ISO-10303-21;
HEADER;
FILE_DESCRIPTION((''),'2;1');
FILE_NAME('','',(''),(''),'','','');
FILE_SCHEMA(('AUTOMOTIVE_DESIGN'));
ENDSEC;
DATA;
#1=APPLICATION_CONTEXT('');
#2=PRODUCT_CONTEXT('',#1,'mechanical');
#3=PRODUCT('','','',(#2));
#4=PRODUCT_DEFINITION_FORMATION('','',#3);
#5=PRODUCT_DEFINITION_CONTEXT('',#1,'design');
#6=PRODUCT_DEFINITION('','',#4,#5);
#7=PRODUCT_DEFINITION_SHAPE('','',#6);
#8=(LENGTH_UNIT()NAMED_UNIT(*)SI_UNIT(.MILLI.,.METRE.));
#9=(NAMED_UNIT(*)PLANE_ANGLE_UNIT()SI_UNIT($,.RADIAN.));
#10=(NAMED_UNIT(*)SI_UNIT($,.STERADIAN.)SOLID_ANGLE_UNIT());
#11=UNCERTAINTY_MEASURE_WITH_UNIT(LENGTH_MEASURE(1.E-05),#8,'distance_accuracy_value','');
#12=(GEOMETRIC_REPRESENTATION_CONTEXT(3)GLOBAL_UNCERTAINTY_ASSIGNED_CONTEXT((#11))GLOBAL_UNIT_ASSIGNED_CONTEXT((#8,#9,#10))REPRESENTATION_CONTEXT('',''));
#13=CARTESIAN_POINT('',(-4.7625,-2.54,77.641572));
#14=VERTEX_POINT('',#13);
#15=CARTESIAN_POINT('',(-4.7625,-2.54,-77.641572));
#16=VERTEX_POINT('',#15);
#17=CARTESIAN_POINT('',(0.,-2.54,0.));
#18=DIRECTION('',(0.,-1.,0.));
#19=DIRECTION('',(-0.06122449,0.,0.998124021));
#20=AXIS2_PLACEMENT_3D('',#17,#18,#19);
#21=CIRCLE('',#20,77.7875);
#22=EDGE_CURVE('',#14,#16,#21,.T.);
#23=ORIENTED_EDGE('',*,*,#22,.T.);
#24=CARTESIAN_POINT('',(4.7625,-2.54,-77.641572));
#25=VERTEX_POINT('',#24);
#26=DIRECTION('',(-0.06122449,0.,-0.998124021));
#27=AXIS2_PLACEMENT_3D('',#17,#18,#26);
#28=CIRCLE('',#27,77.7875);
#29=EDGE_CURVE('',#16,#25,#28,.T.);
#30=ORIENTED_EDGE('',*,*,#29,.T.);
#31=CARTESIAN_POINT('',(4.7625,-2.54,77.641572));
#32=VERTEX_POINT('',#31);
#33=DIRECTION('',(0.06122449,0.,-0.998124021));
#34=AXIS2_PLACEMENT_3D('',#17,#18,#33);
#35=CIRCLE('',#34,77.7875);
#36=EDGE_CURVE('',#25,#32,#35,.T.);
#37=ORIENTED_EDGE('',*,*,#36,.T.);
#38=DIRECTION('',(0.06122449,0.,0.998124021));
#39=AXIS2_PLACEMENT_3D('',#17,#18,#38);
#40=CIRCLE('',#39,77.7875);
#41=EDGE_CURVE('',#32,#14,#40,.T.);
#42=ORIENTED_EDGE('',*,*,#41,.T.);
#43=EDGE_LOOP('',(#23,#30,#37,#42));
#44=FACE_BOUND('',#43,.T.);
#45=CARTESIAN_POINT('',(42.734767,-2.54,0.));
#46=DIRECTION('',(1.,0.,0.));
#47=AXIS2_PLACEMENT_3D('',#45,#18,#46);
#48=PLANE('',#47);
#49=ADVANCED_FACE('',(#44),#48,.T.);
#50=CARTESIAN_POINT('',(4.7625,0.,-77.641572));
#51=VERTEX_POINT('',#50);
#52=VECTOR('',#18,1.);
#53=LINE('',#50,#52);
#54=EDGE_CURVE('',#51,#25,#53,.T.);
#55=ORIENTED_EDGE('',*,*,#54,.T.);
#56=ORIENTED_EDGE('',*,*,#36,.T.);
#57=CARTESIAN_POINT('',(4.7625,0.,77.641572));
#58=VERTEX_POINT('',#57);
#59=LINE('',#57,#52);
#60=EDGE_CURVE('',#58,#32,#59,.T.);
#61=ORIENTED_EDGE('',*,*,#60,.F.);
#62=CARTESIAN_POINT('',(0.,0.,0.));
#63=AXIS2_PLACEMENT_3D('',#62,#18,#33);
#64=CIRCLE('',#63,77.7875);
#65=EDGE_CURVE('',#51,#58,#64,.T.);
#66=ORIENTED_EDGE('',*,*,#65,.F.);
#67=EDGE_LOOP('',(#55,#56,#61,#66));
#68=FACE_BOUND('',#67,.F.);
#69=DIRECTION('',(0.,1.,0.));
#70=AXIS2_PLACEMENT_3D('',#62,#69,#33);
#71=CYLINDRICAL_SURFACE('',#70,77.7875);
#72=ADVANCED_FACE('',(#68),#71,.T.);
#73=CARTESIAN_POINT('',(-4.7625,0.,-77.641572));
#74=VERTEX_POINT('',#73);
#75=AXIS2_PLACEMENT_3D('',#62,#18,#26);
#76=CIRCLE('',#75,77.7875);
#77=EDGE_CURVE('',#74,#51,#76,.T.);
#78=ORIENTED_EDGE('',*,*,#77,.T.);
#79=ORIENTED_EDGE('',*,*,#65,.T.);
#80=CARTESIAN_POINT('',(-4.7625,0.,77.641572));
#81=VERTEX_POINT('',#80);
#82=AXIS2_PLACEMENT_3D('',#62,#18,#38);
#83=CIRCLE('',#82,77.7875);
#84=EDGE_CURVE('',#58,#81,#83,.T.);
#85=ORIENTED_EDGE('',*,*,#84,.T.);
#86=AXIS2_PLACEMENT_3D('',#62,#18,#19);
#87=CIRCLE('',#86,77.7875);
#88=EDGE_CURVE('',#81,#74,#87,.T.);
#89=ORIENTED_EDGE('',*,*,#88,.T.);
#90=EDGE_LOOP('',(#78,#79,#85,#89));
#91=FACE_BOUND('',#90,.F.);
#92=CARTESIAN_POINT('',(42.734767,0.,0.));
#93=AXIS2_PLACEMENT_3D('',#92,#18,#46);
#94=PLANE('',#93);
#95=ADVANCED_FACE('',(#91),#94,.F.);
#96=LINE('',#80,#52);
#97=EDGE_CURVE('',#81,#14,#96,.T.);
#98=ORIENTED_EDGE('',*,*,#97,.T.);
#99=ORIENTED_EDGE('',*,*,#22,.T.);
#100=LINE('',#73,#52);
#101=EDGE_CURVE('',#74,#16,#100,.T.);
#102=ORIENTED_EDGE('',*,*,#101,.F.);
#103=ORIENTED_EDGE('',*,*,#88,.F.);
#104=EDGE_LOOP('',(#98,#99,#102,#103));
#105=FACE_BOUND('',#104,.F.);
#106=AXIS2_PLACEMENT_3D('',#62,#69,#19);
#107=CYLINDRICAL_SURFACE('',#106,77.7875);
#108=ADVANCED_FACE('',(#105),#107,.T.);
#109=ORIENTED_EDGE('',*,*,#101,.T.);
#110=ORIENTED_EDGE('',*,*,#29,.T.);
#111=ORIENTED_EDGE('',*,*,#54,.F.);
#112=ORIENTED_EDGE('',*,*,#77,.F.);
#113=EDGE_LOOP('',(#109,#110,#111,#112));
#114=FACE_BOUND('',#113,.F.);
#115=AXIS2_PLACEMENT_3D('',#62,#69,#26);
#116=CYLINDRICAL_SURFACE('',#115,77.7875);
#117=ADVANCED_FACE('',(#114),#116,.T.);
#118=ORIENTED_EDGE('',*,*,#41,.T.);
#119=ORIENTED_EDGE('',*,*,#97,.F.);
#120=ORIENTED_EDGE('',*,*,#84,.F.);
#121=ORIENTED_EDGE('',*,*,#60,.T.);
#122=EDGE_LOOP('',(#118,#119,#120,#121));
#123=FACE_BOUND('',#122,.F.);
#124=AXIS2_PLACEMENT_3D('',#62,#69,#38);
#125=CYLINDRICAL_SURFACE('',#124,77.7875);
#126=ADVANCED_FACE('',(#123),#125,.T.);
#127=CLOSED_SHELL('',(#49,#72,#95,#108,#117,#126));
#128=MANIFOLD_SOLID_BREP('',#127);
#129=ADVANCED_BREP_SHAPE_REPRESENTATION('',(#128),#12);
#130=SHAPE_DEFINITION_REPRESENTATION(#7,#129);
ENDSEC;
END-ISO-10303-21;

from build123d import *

# Parameters (mm, degrees)
F1_DEPTH = 2.54


with BuildPart() as f1:
    # F0 (on Front) → F1 (new body)
    with BuildSketch(Plane.XZ):
        with BuildLine():
            ThreePointArc((4.7625, 68.0961636217), (49.9242879894, 46.5546385981), (68.2625, 0))
            ThreePointArc((68.2625, 0), (49.9242879894, -46.5546385981), (4.7625, -68.0961636217))
            Line((4.7625, -68.0961636217), (4.7625, -77.641572305))
            ThreePointArc((4.7625, -77.641572305), (56.6628543448, -53.2936778028), (77.7875, 0))
            ThreePointArc((77.7875, 0), (56.6628543448, 53.2936778028), (4.7625, 77.641572305))
            Line((4.7625, 77.641572305), (4.7625, 68.0961636217))
        make_face()
        with BuildLine():
            ThreePointArc((-4.7625, 68.0961636217), (0, 68.2625), (4.7625, 68.0961636217))
            Line((4.7625, 68.0961636217), (4.7625, 77.641572305))
            Line((4.7625, 77.641572305), (-4.7625, 77.641572305))
            Line((-4.7625, 77.641572305), (-4.7625, 68.0961636217))
        make_face()
        with BuildLine():
            Line((4.7625, -77.641572305), (4.7625, -68.0961636217))
            ThreePointArc((4.7625, -68.0961636217), (0, -68.2625), (-4.7625, -68.0961636217))
            Line((-4.7625, -68.0961636217), (-4.7625, -77.641572305))
            Line((-4.7625, -77.641572305), (4.7625, -77.641572305))
        make_face()
        with BuildLine():
            ThreePointArc((-4.7625, -68.0961636217), (-68.2625, 0), (-4.7625, 68.0961636217))
            Line((-4.7625, 68.0961636217), (-4.7625, 77.641572305))
            ThreePointArc((-4.7625, 77.641572305), (-77.7875, 0), (-4.7625, -77.641572305))
            Line((-4.7625, -77.641572305), (-4.7625, -68.0961636217))
        make_face()
        with BuildLine():
            Line((-4.7625, 77.641572305), (4.7625, 77.641572305))
            ThreePointArc((4.7625, 77.641572305), (0, 77.7875), (-4.7625, 77.641572305))
        make_face()
        with BuildLine():
            ThreePointArc((-4.7625, -77.641572305), (0, -77.7875), (4.7625, -77.641572305))
            Line((4.7625, -77.641572305), (-4.7625, -77.641572305))
        make_face()
        with BuildLine():
            Line((-4.7625, -68.0961636217), (-4.7625, 68.0961636217))
            ThreePointArc((-4.7625, 68.0961636217), (-68.2625, 0), (-4.7625, -68.0961636217))
        make_face()
        with BuildLine():
            ThreePointArc((4.7625, -68.0961636217), (49.9242879894, -46.5546385981), (68.2625, 0))
            ThreePointArc((68.2625, 0), (49.9242879894, 46.5546385981), (4.7625, 68.0961636217))
            Line((4.7625, 68.0961636217), (4.7625, -68.0961636217))
        make_face()
        with BuildLine():
            Line((4.7625, -68.0961636217), (4.7625, 68.0961636217))
            ThreePointArc((4.7625, 68.0961636217), (0, 68.2625), (-4.7625, 68.0961636217))
            Line((-4.7625, 68.0961636217), (-4.7625, -68.0961636217))
            ThreePointArc((-4.7625, -68.0961636217), (0, -68.2625), (4.7625, -68.0961636217))
        make_face()
    extrude(amount=F1_DEPTH)


solid = f1.part
